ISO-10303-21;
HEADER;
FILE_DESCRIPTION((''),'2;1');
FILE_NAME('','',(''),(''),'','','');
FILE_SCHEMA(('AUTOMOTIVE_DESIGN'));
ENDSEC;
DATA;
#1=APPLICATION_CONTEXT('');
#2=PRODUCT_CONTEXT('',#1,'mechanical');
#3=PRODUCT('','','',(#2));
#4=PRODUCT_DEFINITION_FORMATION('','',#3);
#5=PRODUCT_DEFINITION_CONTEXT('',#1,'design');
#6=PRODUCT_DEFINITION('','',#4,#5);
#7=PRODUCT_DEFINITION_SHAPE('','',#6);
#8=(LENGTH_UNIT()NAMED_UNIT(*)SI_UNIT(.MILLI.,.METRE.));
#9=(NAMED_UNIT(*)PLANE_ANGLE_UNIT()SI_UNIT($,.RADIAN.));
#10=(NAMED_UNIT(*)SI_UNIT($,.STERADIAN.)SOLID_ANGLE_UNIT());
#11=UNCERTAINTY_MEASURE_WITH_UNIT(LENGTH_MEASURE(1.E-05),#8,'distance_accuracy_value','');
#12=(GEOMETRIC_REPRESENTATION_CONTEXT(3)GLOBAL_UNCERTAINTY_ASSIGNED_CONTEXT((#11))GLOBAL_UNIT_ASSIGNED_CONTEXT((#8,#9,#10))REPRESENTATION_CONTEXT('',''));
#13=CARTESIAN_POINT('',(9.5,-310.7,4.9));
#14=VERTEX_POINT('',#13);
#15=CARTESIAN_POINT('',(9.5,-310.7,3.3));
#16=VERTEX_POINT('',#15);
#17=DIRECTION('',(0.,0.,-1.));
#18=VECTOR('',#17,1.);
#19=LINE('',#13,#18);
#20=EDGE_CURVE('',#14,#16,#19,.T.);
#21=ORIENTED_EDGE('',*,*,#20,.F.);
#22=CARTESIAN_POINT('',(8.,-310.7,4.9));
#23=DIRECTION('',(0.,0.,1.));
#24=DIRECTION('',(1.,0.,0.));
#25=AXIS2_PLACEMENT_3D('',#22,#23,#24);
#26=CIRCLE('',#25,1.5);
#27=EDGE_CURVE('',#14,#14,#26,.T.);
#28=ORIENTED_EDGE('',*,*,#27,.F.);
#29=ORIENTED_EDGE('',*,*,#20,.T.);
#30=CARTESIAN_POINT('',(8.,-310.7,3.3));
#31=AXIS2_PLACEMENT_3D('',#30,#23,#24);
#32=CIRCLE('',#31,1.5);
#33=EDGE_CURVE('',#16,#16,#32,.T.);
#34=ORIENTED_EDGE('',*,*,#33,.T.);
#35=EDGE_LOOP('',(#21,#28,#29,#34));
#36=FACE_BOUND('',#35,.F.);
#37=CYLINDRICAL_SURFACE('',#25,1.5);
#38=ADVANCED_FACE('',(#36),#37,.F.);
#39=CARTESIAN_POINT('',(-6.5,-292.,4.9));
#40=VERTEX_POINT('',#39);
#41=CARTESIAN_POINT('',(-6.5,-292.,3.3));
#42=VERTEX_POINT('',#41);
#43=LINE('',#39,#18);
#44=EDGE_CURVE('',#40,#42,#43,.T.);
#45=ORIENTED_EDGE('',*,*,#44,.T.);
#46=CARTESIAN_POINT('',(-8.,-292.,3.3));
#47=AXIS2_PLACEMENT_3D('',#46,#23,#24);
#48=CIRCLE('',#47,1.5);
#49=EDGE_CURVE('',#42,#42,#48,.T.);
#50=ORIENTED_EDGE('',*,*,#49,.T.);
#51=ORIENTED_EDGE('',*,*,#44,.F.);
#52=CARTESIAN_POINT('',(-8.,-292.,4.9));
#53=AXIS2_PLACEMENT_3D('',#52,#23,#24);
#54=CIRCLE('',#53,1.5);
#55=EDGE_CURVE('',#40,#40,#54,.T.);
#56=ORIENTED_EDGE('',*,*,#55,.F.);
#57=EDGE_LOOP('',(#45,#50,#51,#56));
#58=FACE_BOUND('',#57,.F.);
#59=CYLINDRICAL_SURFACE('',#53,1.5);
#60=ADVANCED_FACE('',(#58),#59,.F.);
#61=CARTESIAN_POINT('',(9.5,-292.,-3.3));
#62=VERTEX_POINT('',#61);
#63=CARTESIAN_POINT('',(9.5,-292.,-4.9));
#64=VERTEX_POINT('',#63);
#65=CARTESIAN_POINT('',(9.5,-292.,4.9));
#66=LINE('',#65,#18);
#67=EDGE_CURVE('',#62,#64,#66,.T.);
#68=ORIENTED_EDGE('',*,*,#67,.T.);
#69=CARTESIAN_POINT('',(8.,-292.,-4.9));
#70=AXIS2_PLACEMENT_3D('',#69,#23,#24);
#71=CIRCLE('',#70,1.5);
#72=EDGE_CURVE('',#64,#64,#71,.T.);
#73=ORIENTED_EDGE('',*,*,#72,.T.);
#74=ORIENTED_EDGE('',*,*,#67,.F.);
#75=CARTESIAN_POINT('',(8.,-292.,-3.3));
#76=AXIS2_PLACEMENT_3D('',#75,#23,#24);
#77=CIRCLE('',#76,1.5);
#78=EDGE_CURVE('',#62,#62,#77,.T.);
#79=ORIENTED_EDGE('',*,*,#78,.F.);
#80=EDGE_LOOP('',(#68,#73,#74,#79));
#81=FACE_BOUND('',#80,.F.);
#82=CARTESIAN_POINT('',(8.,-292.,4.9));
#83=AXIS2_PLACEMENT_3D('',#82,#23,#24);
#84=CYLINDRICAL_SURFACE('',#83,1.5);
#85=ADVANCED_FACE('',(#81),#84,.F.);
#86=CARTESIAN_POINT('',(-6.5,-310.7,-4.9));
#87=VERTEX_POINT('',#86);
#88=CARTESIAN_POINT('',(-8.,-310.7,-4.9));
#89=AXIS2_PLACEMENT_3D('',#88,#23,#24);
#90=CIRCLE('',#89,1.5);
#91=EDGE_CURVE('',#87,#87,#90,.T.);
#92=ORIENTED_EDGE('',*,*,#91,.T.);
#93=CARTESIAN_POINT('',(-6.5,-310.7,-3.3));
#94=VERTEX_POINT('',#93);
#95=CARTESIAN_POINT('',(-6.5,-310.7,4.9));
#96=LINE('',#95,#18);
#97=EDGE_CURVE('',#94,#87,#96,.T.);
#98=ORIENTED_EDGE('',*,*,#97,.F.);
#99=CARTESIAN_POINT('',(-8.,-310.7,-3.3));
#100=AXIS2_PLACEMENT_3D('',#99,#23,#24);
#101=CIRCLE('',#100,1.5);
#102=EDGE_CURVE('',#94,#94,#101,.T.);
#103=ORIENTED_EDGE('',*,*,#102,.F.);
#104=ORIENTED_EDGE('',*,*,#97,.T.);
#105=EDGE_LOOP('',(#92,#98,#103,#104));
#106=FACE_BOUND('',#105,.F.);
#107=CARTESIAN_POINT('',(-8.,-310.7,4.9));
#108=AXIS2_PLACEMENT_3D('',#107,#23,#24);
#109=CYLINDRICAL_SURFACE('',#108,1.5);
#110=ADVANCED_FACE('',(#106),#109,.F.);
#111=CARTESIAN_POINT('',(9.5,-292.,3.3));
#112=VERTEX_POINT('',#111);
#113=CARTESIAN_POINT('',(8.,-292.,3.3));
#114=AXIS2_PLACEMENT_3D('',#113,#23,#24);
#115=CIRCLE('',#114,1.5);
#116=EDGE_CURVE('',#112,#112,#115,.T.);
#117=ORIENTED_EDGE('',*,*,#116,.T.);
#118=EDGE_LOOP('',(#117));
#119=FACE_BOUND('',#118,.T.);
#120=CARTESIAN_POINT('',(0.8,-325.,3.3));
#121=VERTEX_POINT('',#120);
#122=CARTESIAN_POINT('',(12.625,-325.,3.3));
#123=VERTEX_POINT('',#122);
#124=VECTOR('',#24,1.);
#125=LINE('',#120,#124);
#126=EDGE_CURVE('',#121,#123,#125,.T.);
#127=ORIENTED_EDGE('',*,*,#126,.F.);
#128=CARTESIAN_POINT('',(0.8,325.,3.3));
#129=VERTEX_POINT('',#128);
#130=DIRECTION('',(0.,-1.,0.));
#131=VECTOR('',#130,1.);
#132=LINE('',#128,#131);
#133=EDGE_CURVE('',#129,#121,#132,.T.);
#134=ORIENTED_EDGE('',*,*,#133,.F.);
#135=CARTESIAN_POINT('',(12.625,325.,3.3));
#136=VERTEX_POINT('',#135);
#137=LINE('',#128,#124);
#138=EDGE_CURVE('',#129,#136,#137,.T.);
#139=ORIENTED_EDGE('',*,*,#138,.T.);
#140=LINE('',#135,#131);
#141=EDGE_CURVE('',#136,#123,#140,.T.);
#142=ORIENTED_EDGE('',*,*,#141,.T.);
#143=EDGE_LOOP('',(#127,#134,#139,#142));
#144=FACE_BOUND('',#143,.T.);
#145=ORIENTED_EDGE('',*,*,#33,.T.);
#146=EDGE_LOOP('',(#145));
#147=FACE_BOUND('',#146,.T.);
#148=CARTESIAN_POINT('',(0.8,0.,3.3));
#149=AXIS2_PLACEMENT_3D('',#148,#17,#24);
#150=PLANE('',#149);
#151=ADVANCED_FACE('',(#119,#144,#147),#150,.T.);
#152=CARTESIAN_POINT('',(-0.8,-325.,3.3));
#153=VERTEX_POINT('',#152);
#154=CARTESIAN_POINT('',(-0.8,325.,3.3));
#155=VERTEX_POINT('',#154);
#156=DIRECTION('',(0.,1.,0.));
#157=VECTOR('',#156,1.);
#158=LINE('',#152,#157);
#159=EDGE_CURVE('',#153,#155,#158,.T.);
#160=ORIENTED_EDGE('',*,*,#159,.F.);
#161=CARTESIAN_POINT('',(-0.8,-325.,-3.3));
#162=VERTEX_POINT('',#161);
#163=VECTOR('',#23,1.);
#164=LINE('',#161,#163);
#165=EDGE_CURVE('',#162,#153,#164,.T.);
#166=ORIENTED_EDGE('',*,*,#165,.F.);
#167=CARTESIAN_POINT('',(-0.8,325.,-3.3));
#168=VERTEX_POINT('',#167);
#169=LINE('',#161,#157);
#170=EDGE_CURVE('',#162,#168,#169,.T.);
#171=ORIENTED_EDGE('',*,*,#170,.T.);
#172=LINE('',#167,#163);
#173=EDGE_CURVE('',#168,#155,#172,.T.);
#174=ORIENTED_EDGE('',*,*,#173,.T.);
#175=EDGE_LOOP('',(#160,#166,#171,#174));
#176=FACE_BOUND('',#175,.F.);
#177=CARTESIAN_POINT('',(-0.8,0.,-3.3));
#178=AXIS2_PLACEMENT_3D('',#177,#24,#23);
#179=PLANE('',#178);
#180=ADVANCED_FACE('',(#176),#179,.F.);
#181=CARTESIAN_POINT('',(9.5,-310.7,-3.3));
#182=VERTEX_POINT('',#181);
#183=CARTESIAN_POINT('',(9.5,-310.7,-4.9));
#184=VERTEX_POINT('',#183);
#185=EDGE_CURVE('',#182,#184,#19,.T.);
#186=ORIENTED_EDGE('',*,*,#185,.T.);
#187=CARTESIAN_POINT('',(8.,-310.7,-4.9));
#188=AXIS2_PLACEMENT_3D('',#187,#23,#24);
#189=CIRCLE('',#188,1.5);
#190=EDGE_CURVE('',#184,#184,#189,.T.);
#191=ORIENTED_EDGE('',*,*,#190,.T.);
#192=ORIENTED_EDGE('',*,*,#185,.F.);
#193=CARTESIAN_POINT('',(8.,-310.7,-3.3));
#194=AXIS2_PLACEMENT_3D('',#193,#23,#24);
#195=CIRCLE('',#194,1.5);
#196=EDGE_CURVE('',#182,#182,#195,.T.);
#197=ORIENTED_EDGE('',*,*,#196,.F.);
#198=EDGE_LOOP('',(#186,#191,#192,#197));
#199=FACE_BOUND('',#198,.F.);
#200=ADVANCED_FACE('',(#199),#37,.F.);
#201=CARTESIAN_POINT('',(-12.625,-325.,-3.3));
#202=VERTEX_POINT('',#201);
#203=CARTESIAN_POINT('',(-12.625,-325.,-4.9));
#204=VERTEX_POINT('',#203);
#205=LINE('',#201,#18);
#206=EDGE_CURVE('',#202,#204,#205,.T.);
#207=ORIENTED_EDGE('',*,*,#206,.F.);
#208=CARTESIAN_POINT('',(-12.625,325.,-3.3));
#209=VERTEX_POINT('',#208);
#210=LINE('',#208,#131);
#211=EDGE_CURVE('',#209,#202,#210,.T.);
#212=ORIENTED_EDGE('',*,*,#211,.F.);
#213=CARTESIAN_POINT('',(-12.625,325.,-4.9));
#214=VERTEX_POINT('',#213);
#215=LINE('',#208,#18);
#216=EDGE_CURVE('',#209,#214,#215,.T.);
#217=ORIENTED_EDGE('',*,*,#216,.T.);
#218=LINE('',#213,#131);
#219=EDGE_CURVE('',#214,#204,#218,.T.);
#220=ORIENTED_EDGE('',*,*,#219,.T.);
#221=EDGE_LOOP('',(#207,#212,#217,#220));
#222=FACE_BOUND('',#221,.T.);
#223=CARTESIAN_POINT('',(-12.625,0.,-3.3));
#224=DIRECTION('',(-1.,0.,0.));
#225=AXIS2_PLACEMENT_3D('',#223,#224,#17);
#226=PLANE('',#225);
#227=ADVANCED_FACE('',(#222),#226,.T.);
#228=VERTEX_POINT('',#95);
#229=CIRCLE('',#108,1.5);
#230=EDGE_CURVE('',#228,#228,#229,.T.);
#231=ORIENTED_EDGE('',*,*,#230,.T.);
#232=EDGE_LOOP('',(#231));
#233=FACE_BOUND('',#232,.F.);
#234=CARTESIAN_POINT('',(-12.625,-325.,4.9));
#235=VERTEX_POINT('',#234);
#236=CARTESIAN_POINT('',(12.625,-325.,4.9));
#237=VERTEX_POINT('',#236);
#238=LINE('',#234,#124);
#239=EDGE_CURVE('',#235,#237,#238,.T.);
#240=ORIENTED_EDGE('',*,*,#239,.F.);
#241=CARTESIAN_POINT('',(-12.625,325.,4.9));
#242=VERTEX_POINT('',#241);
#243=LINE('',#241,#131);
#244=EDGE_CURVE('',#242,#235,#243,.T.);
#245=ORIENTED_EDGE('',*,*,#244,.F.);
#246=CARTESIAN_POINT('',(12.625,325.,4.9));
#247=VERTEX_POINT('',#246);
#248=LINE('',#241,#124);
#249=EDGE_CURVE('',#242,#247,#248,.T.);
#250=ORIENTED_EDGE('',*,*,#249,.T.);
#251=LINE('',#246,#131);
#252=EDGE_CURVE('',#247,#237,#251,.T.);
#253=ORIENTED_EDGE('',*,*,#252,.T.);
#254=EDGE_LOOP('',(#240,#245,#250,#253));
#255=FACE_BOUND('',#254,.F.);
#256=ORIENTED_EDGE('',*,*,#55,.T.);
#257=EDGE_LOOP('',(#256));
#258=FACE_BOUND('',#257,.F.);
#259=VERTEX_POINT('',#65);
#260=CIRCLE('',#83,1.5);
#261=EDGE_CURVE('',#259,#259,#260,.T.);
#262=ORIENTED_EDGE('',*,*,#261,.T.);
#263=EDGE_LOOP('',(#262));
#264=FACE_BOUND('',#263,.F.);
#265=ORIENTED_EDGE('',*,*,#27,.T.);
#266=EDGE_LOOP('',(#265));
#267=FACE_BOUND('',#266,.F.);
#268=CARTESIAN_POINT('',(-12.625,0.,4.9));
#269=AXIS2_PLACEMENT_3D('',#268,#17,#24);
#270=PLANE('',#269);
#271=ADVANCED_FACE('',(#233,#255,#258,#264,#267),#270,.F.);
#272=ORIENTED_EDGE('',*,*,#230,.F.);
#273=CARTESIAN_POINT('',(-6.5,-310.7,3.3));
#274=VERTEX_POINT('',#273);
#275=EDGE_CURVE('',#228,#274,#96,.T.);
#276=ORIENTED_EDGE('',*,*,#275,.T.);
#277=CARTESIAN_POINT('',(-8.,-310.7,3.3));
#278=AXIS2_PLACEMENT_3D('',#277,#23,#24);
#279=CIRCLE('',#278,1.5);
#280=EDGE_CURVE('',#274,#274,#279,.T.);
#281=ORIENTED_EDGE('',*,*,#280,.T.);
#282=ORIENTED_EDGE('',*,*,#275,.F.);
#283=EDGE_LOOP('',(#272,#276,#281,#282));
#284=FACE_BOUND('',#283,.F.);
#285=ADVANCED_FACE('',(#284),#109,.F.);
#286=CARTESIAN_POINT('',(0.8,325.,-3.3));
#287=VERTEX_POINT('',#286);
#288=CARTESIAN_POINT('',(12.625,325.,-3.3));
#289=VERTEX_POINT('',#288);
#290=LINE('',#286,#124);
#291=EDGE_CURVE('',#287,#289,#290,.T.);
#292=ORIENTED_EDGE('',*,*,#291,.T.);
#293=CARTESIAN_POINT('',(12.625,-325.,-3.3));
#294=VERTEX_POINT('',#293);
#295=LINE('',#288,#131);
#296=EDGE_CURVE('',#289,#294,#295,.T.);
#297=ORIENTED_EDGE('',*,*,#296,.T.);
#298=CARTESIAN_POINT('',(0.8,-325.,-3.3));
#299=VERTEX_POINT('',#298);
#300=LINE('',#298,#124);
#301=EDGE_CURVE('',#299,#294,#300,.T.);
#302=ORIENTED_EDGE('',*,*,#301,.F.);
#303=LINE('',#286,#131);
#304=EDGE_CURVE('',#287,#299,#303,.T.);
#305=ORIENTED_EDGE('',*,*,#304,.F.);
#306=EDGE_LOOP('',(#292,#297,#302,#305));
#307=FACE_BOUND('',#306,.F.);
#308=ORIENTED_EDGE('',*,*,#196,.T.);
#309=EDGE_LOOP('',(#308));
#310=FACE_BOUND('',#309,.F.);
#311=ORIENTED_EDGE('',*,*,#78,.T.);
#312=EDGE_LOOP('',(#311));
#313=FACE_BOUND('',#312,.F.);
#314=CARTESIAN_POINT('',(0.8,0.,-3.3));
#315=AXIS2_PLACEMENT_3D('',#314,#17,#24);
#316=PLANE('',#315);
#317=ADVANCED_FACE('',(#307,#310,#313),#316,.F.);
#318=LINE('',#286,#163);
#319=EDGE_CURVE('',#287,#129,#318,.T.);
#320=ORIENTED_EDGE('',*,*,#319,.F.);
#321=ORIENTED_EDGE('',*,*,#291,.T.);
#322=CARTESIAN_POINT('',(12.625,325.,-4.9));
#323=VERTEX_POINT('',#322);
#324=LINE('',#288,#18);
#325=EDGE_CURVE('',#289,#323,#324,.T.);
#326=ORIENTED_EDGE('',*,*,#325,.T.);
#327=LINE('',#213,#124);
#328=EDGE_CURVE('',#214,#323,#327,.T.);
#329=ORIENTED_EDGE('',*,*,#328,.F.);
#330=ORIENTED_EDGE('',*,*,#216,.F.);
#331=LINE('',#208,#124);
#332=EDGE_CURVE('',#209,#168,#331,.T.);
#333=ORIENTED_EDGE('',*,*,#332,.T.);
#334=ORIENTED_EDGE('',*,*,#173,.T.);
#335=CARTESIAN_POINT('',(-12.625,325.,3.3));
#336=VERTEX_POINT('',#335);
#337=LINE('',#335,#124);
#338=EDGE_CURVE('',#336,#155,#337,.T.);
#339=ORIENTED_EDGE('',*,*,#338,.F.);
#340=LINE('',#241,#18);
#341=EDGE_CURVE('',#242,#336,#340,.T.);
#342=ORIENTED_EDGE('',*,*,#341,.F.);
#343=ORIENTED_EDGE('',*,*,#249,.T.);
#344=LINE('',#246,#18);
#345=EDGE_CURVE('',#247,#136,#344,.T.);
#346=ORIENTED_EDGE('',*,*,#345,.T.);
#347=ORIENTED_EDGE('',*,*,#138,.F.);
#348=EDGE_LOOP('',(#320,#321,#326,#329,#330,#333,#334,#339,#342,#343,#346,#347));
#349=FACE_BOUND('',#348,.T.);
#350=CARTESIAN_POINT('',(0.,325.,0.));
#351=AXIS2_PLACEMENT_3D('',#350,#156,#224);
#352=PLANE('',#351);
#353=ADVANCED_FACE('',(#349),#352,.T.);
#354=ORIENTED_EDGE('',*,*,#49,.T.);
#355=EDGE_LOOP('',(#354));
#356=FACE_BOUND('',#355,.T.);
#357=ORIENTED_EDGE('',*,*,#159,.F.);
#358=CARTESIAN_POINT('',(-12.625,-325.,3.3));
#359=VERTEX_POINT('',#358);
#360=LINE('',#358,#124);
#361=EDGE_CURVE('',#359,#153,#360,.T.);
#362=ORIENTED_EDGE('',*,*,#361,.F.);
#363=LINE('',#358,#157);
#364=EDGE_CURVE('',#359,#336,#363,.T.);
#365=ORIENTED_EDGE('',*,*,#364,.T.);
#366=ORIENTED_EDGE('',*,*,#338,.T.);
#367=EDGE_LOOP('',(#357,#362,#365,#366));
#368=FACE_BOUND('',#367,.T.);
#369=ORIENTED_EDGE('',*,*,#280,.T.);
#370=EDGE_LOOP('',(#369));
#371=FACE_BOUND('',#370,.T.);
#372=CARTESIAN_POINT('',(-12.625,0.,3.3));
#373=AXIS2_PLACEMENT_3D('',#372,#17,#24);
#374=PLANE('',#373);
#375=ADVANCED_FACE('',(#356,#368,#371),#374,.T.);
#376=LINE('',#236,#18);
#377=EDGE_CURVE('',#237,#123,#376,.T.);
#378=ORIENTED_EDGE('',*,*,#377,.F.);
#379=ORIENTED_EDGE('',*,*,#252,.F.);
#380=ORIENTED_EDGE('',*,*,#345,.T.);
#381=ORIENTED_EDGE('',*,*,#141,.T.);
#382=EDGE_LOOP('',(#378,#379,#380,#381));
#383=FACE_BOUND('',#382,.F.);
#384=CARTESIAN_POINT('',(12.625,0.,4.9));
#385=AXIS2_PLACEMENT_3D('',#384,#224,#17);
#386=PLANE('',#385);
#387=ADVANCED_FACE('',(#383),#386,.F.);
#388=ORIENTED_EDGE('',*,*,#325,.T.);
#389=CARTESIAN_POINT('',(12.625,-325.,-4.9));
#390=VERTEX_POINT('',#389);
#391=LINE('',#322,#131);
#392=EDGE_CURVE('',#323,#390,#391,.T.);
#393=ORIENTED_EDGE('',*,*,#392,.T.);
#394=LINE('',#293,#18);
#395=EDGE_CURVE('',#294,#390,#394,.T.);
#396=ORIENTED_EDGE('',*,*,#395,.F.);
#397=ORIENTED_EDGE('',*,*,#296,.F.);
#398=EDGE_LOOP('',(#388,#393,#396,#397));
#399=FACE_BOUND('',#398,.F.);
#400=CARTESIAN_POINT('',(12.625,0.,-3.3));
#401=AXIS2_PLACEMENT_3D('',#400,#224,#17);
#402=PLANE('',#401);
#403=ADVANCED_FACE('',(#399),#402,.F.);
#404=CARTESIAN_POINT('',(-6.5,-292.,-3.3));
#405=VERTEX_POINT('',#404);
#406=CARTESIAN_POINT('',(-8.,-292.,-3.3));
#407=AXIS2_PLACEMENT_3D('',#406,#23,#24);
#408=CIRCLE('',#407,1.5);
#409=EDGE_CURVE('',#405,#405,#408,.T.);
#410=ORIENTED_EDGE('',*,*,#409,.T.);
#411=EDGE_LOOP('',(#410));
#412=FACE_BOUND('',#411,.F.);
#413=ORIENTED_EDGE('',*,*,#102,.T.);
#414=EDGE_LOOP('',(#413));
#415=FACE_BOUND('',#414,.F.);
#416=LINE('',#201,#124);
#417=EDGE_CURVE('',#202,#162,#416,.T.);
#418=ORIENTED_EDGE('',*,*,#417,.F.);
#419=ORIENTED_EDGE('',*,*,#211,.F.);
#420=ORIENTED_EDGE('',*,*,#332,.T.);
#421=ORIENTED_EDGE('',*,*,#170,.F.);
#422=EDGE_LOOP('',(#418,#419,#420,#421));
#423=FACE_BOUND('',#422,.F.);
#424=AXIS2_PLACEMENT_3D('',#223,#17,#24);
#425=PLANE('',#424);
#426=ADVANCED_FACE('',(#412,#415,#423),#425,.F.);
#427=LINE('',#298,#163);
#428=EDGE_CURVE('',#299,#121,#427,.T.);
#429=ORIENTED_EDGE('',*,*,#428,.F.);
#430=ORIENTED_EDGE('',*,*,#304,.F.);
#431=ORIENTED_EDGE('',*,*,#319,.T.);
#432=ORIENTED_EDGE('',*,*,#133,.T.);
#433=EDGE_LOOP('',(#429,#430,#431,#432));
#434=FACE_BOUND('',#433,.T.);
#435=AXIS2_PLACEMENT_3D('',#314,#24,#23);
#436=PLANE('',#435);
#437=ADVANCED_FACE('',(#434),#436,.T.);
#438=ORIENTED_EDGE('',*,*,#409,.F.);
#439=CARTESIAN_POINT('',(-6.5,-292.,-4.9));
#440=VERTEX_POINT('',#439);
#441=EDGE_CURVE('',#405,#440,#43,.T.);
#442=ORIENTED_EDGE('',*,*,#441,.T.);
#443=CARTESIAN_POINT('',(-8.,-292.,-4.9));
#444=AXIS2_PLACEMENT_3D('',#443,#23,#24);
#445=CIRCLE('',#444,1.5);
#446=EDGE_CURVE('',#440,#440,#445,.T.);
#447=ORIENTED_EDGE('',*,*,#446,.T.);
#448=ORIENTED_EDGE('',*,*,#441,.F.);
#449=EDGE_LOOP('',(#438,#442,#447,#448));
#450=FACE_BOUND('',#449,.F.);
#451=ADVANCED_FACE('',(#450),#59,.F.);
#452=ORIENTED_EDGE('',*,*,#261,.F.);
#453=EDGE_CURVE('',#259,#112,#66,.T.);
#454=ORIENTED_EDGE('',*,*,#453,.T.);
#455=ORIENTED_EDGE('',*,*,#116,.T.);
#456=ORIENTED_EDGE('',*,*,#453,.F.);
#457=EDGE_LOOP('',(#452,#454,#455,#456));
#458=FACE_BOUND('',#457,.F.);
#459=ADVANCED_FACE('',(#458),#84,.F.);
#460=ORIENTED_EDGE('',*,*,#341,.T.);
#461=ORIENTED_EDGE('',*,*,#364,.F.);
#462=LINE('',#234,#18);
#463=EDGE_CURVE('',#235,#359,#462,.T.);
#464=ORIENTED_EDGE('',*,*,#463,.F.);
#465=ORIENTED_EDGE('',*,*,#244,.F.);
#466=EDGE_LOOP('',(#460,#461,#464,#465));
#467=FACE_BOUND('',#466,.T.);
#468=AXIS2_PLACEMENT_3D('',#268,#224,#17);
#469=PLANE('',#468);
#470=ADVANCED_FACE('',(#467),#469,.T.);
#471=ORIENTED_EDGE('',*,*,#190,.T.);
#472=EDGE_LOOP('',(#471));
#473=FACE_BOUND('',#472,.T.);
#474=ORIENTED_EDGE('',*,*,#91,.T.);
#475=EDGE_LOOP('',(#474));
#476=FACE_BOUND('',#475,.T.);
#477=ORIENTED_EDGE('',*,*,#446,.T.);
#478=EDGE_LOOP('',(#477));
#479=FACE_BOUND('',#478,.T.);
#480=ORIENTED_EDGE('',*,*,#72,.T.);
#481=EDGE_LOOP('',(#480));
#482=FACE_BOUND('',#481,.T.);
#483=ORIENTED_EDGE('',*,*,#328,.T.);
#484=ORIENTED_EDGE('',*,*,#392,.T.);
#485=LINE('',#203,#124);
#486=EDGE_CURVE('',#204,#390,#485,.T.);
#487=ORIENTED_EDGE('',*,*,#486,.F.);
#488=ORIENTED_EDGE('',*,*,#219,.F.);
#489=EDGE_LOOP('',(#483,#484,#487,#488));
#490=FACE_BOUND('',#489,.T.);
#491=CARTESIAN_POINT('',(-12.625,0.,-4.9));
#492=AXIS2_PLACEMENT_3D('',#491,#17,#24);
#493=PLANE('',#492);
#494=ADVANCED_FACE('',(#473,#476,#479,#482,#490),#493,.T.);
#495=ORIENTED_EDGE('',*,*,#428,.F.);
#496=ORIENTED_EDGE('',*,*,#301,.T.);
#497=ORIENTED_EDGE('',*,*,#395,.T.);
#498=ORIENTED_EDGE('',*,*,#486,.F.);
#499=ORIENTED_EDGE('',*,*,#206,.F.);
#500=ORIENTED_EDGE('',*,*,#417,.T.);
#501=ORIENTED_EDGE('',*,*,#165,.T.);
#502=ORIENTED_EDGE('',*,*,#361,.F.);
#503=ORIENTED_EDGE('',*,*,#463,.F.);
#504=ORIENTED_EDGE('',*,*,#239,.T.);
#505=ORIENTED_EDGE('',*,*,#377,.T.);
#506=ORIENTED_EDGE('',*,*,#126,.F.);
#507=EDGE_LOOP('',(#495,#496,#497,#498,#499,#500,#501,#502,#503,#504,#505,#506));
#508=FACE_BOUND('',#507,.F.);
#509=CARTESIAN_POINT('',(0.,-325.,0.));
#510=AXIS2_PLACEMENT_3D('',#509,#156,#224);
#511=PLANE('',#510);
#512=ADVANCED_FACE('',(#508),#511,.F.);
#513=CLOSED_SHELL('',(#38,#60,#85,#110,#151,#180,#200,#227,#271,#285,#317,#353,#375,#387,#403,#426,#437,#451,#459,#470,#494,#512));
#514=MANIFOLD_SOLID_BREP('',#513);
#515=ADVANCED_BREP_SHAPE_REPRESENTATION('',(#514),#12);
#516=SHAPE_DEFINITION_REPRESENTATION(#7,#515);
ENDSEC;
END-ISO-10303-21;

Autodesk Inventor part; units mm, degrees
ref_plane "YZ Plane" through (0, 0, 0) normal (1, 0, 0) x (0, 1, 0)
ref_plane "XZ Plane" through (0, 0, 0) normal (0, 1, 0) x (-1, 0, 0)
ref_plane "XY Plane" through (0, 0, 0) normal (0, 0, 1) x (1, 0, 0)
sketch "Эскиз1" plane through (0, 0, 0) normal (0, 1, 0) x (-1, 0, 0)
  line L0 (0.8, -3.3) -> (0.8, 3.3)
  line L1 (-0.8, -3.3) -> (-0.8, 3.3)
  line L2 (-17.675, 0) -> (17.675, 0) construction
  line L3 (0.8, 0) -> (-0.8, 0) construction
  line L4 (0, -4.62) -> (0, 4.62)
  line L5 (12.625, -3.3) -> (0.8, -3.3)
  line L6 (-0.8, -3.3) -> (-12.625, -3.3)
  line L7 (12.625, 3.3) -> (0.8, 3.3)
  line L8 (-0.8, 3.3) -> (-12.625, 3.3)
  line L9 (12.625, -4.9) -> (-12.625, -4.9)
  line L10 (12.625, 4.9) -> (-12.625, 4.9)
  line L11 (12.625, -3.3) -> (12.625, -4.9)
  line L12 (-12.625, -3.3) -> (-12.625, -4.9)
  line L13 (-12.625, 4.9) -> (-12.625, 3.3)
  line L14 (12.625, 4.9) -> (12.625, 3.3)
  point P0 (0, 0)
  dimension "d0" = 1.6
  dimension "d1" = 6.6
  dimension "d2" = 25.25
  dimension "d3" = 1.6
  dimension "d4" = 1.6
extrude "Выдавливание1" add sketch "Эскиз1" along normal mid plane 650
sketch "Эскиз7" plane through (-12.625, 325, 4.9) normal (0, 0, 1) x (1, 0, 0)
  circle A0 centre (4.625, -617) radius 1.5 projected
  circle A1 centre (4.625, -635.7) radius 1.5 projected
  circle A2 centre (20.625, -617) radius 1.5 projected
  circle A3 centre (20.625, -635.7) radius 1.5 projected
  point P0 (12.625, -325)
extrude "Выдавливание7" cut sketch "Эскиз7" against normal up to surface (9.8 mm away)
properties part number "Алюминиевый профиль"
